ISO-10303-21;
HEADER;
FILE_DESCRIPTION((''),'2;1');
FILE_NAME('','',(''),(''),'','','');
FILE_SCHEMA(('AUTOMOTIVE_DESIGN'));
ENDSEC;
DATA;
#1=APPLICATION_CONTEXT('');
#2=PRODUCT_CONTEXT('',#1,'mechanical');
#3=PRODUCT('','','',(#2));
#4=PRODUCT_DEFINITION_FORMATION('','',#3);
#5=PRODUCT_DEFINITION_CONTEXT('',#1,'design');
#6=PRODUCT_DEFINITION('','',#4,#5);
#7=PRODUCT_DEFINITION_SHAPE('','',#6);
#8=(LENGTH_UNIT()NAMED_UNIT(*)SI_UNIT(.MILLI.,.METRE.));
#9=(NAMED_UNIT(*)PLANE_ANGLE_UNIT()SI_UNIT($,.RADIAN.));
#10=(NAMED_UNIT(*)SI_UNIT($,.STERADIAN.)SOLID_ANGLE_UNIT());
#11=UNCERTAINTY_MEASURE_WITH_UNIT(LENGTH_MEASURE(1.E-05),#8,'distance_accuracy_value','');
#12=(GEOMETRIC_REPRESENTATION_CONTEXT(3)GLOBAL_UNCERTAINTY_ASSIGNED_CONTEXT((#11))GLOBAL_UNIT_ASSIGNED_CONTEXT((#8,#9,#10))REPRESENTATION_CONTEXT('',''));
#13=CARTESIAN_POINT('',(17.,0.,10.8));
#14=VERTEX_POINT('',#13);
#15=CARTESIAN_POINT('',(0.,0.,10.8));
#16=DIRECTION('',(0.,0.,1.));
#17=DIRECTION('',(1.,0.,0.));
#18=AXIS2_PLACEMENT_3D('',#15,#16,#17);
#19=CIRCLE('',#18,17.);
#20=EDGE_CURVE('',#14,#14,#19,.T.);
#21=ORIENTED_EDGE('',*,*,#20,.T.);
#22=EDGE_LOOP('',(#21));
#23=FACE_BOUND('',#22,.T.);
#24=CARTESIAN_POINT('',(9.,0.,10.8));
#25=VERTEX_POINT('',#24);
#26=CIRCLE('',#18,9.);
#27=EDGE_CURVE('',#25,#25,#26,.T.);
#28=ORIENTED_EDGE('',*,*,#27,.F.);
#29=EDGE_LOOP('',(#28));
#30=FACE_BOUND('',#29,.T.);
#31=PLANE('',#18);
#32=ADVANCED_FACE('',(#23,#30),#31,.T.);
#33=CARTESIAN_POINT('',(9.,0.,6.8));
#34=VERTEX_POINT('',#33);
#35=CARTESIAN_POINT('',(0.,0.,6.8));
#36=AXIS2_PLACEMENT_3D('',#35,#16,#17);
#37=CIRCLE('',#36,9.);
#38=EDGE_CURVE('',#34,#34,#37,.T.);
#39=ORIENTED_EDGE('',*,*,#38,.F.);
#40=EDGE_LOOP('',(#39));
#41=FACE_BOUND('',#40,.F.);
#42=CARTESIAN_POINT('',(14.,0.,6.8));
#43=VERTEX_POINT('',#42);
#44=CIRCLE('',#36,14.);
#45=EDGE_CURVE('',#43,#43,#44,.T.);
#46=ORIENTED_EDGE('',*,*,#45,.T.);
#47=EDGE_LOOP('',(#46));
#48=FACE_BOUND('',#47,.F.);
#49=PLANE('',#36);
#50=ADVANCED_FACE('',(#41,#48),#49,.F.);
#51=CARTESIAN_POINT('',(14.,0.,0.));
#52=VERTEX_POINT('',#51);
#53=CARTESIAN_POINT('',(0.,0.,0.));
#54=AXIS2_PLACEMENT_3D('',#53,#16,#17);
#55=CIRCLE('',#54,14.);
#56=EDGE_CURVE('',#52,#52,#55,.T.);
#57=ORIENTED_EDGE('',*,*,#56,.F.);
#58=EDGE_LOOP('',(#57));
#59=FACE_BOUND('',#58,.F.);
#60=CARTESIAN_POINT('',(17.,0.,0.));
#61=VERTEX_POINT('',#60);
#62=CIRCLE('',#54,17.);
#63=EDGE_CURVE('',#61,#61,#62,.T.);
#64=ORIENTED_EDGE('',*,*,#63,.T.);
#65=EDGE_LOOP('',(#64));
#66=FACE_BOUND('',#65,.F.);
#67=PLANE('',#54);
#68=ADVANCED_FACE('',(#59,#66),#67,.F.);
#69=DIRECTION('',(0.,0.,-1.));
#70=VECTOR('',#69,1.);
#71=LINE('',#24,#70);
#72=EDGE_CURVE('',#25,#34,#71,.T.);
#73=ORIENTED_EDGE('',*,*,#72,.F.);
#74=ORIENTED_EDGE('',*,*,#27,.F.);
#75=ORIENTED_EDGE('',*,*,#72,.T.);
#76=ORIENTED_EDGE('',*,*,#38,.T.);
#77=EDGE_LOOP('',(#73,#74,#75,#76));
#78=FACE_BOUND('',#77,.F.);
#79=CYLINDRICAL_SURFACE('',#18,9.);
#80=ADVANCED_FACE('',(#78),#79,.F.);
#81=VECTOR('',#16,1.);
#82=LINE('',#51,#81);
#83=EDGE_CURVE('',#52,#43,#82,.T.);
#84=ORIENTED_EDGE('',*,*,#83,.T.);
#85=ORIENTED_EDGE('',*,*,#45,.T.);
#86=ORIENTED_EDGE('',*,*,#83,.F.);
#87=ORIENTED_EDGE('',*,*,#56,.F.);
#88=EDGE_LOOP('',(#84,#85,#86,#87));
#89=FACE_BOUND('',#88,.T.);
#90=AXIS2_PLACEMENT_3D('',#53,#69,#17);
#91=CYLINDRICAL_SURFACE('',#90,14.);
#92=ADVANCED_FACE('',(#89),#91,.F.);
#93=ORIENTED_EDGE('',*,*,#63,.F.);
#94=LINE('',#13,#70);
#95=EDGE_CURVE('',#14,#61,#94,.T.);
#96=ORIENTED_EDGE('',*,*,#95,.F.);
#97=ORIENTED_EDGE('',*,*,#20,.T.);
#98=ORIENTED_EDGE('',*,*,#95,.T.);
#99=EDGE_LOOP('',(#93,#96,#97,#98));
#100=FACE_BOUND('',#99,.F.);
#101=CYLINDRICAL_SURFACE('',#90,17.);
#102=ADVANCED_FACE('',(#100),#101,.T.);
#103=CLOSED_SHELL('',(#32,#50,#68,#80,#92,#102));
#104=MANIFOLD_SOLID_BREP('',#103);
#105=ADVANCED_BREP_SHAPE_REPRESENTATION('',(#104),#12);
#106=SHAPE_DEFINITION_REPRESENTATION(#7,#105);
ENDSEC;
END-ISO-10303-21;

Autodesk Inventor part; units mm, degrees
ref_plane "YZ Plane" through (0, 0, 0) normal (1, 0, 0) x (0, 1, 0)
ref_plane "XZ Plane" through (0, 0, 0) normal (0, 1, 0) x (-1, 0, 0)
ref_plane "XY Plane" through (0, 0, 0) normal (0, 0, 1) x (1, 0, 0)
sketch "Sketch1" plane through (0, 0, 0) normal (0, 0, 1) x (1, 0, 0)
  circle A0 centre (0, 0) radius 14
  circle A1 centre (0, 0) radius 17
  dimension "d0" = 28
  dimension "d2" = 34
extrude "Extrusion1" add sketch "Sketch1" along normal blind 6.8
sketch "Sketch2" plane through (0, 0, 6.8) normal (0, 0, 1) x (1, 0, 0)
  circle A0 centre (0, 0) radius 17 projected
extrude "Extrusion2" add sketch "Sketch2" along normal blind 4
sketch "Sketch3" plane through (0, 0, 10.8) normal (0, 0, 1) x (1, 0, 0)
  circle A0 centre (0, 0) radius 17 projected
  circle A1 centre (0, 0) radius 9
  dimension "d7" = 18
extrude "Extrusion3" cut sketch "Sketch3" against normal blind 4 contours A1
properties part number "Bearing cap"
